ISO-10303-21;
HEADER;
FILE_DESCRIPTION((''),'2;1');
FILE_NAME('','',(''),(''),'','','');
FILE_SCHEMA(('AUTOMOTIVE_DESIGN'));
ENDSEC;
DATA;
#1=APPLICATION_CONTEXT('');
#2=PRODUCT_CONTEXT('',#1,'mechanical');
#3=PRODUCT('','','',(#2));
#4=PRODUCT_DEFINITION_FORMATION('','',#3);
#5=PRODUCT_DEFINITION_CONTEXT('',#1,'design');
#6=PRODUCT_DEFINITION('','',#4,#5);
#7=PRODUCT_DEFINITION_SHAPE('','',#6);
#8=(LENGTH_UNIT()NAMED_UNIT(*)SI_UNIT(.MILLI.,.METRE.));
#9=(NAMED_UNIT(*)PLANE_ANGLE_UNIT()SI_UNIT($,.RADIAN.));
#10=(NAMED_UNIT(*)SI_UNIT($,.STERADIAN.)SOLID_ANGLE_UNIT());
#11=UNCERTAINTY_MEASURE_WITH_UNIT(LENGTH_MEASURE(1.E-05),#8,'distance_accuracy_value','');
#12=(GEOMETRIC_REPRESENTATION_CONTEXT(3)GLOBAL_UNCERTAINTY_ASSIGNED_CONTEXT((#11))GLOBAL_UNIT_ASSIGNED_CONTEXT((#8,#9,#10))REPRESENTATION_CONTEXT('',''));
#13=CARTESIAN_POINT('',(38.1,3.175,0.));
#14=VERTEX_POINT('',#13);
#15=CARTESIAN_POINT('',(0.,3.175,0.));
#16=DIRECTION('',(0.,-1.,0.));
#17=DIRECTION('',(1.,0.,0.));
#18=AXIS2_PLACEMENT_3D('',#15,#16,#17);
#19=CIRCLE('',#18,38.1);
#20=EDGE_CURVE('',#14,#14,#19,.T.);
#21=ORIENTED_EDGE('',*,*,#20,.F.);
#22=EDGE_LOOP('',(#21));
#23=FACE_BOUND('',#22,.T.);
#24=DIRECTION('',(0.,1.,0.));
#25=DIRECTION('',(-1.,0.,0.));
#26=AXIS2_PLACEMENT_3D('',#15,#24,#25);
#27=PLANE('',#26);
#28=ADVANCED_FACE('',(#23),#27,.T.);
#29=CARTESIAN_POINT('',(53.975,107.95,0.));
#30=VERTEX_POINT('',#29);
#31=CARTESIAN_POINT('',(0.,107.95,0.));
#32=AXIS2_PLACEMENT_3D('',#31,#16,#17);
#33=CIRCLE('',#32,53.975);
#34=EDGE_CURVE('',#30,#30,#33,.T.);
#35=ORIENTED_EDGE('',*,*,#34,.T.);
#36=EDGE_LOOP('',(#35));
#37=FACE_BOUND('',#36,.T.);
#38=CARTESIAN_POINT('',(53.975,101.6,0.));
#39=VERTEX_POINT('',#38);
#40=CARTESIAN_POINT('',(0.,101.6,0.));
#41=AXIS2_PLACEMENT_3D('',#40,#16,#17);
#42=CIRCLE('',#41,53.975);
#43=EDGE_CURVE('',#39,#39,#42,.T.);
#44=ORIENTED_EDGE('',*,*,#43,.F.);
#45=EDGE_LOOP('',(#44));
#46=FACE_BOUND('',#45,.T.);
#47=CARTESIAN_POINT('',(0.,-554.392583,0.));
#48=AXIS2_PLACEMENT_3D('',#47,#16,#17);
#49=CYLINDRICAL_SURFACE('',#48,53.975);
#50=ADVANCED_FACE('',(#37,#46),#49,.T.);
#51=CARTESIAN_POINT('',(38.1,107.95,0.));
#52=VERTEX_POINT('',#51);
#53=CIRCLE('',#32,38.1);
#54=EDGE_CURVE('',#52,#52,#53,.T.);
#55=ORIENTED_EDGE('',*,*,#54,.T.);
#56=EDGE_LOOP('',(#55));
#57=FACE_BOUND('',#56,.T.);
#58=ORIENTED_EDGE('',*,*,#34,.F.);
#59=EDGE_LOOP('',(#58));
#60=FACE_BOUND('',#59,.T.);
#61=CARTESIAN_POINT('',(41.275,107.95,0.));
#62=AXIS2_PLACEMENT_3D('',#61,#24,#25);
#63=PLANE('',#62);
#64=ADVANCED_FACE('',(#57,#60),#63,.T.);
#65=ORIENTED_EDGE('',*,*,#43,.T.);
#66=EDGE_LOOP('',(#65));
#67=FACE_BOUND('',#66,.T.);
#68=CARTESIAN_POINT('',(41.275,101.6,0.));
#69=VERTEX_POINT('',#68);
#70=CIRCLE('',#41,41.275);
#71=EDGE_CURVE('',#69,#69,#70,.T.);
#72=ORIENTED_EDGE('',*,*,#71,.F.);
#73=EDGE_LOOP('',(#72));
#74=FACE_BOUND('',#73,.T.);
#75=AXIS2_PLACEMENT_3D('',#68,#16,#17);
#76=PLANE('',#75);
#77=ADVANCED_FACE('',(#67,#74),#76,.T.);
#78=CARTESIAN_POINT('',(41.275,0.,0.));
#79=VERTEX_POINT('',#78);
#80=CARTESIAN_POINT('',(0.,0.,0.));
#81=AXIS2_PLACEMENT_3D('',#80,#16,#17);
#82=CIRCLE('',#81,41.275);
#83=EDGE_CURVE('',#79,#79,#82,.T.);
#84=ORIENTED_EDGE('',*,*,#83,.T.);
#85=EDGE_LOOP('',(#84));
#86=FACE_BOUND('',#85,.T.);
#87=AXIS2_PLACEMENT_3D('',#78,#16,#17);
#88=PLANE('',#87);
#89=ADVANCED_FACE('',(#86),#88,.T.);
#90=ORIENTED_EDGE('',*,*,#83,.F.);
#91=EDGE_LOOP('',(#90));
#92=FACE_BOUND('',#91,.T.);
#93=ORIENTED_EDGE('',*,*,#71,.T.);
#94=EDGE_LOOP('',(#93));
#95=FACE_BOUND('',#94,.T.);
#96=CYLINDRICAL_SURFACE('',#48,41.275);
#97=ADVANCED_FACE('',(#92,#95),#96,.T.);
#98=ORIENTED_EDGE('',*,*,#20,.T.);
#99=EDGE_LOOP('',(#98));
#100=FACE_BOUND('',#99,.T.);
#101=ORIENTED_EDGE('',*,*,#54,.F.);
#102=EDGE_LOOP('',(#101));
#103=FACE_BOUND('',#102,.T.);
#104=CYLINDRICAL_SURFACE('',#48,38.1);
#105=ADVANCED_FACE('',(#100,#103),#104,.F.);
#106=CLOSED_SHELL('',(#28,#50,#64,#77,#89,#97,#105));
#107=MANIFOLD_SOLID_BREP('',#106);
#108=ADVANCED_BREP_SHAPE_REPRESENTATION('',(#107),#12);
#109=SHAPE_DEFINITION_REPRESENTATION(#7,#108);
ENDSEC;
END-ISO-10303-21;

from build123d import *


with BuildPart() as part:
    # Sketch1 → Revolve1 (revolve)
    with BuildSketch(Plane.XY):
        Polygon((41.275, 0), (30.744042103, 0), (0, 0), (0, 3.175), (38.1, 3.175), (38.1, 107.95), (41.275, 107.95), (53.975, 107.95), (53.975, 101.6), (41.275, 101.6), align=None)
    revolve(axis=Axis((0, -554.392583441, 0), (0, 1, 0)))


solid = part.part
